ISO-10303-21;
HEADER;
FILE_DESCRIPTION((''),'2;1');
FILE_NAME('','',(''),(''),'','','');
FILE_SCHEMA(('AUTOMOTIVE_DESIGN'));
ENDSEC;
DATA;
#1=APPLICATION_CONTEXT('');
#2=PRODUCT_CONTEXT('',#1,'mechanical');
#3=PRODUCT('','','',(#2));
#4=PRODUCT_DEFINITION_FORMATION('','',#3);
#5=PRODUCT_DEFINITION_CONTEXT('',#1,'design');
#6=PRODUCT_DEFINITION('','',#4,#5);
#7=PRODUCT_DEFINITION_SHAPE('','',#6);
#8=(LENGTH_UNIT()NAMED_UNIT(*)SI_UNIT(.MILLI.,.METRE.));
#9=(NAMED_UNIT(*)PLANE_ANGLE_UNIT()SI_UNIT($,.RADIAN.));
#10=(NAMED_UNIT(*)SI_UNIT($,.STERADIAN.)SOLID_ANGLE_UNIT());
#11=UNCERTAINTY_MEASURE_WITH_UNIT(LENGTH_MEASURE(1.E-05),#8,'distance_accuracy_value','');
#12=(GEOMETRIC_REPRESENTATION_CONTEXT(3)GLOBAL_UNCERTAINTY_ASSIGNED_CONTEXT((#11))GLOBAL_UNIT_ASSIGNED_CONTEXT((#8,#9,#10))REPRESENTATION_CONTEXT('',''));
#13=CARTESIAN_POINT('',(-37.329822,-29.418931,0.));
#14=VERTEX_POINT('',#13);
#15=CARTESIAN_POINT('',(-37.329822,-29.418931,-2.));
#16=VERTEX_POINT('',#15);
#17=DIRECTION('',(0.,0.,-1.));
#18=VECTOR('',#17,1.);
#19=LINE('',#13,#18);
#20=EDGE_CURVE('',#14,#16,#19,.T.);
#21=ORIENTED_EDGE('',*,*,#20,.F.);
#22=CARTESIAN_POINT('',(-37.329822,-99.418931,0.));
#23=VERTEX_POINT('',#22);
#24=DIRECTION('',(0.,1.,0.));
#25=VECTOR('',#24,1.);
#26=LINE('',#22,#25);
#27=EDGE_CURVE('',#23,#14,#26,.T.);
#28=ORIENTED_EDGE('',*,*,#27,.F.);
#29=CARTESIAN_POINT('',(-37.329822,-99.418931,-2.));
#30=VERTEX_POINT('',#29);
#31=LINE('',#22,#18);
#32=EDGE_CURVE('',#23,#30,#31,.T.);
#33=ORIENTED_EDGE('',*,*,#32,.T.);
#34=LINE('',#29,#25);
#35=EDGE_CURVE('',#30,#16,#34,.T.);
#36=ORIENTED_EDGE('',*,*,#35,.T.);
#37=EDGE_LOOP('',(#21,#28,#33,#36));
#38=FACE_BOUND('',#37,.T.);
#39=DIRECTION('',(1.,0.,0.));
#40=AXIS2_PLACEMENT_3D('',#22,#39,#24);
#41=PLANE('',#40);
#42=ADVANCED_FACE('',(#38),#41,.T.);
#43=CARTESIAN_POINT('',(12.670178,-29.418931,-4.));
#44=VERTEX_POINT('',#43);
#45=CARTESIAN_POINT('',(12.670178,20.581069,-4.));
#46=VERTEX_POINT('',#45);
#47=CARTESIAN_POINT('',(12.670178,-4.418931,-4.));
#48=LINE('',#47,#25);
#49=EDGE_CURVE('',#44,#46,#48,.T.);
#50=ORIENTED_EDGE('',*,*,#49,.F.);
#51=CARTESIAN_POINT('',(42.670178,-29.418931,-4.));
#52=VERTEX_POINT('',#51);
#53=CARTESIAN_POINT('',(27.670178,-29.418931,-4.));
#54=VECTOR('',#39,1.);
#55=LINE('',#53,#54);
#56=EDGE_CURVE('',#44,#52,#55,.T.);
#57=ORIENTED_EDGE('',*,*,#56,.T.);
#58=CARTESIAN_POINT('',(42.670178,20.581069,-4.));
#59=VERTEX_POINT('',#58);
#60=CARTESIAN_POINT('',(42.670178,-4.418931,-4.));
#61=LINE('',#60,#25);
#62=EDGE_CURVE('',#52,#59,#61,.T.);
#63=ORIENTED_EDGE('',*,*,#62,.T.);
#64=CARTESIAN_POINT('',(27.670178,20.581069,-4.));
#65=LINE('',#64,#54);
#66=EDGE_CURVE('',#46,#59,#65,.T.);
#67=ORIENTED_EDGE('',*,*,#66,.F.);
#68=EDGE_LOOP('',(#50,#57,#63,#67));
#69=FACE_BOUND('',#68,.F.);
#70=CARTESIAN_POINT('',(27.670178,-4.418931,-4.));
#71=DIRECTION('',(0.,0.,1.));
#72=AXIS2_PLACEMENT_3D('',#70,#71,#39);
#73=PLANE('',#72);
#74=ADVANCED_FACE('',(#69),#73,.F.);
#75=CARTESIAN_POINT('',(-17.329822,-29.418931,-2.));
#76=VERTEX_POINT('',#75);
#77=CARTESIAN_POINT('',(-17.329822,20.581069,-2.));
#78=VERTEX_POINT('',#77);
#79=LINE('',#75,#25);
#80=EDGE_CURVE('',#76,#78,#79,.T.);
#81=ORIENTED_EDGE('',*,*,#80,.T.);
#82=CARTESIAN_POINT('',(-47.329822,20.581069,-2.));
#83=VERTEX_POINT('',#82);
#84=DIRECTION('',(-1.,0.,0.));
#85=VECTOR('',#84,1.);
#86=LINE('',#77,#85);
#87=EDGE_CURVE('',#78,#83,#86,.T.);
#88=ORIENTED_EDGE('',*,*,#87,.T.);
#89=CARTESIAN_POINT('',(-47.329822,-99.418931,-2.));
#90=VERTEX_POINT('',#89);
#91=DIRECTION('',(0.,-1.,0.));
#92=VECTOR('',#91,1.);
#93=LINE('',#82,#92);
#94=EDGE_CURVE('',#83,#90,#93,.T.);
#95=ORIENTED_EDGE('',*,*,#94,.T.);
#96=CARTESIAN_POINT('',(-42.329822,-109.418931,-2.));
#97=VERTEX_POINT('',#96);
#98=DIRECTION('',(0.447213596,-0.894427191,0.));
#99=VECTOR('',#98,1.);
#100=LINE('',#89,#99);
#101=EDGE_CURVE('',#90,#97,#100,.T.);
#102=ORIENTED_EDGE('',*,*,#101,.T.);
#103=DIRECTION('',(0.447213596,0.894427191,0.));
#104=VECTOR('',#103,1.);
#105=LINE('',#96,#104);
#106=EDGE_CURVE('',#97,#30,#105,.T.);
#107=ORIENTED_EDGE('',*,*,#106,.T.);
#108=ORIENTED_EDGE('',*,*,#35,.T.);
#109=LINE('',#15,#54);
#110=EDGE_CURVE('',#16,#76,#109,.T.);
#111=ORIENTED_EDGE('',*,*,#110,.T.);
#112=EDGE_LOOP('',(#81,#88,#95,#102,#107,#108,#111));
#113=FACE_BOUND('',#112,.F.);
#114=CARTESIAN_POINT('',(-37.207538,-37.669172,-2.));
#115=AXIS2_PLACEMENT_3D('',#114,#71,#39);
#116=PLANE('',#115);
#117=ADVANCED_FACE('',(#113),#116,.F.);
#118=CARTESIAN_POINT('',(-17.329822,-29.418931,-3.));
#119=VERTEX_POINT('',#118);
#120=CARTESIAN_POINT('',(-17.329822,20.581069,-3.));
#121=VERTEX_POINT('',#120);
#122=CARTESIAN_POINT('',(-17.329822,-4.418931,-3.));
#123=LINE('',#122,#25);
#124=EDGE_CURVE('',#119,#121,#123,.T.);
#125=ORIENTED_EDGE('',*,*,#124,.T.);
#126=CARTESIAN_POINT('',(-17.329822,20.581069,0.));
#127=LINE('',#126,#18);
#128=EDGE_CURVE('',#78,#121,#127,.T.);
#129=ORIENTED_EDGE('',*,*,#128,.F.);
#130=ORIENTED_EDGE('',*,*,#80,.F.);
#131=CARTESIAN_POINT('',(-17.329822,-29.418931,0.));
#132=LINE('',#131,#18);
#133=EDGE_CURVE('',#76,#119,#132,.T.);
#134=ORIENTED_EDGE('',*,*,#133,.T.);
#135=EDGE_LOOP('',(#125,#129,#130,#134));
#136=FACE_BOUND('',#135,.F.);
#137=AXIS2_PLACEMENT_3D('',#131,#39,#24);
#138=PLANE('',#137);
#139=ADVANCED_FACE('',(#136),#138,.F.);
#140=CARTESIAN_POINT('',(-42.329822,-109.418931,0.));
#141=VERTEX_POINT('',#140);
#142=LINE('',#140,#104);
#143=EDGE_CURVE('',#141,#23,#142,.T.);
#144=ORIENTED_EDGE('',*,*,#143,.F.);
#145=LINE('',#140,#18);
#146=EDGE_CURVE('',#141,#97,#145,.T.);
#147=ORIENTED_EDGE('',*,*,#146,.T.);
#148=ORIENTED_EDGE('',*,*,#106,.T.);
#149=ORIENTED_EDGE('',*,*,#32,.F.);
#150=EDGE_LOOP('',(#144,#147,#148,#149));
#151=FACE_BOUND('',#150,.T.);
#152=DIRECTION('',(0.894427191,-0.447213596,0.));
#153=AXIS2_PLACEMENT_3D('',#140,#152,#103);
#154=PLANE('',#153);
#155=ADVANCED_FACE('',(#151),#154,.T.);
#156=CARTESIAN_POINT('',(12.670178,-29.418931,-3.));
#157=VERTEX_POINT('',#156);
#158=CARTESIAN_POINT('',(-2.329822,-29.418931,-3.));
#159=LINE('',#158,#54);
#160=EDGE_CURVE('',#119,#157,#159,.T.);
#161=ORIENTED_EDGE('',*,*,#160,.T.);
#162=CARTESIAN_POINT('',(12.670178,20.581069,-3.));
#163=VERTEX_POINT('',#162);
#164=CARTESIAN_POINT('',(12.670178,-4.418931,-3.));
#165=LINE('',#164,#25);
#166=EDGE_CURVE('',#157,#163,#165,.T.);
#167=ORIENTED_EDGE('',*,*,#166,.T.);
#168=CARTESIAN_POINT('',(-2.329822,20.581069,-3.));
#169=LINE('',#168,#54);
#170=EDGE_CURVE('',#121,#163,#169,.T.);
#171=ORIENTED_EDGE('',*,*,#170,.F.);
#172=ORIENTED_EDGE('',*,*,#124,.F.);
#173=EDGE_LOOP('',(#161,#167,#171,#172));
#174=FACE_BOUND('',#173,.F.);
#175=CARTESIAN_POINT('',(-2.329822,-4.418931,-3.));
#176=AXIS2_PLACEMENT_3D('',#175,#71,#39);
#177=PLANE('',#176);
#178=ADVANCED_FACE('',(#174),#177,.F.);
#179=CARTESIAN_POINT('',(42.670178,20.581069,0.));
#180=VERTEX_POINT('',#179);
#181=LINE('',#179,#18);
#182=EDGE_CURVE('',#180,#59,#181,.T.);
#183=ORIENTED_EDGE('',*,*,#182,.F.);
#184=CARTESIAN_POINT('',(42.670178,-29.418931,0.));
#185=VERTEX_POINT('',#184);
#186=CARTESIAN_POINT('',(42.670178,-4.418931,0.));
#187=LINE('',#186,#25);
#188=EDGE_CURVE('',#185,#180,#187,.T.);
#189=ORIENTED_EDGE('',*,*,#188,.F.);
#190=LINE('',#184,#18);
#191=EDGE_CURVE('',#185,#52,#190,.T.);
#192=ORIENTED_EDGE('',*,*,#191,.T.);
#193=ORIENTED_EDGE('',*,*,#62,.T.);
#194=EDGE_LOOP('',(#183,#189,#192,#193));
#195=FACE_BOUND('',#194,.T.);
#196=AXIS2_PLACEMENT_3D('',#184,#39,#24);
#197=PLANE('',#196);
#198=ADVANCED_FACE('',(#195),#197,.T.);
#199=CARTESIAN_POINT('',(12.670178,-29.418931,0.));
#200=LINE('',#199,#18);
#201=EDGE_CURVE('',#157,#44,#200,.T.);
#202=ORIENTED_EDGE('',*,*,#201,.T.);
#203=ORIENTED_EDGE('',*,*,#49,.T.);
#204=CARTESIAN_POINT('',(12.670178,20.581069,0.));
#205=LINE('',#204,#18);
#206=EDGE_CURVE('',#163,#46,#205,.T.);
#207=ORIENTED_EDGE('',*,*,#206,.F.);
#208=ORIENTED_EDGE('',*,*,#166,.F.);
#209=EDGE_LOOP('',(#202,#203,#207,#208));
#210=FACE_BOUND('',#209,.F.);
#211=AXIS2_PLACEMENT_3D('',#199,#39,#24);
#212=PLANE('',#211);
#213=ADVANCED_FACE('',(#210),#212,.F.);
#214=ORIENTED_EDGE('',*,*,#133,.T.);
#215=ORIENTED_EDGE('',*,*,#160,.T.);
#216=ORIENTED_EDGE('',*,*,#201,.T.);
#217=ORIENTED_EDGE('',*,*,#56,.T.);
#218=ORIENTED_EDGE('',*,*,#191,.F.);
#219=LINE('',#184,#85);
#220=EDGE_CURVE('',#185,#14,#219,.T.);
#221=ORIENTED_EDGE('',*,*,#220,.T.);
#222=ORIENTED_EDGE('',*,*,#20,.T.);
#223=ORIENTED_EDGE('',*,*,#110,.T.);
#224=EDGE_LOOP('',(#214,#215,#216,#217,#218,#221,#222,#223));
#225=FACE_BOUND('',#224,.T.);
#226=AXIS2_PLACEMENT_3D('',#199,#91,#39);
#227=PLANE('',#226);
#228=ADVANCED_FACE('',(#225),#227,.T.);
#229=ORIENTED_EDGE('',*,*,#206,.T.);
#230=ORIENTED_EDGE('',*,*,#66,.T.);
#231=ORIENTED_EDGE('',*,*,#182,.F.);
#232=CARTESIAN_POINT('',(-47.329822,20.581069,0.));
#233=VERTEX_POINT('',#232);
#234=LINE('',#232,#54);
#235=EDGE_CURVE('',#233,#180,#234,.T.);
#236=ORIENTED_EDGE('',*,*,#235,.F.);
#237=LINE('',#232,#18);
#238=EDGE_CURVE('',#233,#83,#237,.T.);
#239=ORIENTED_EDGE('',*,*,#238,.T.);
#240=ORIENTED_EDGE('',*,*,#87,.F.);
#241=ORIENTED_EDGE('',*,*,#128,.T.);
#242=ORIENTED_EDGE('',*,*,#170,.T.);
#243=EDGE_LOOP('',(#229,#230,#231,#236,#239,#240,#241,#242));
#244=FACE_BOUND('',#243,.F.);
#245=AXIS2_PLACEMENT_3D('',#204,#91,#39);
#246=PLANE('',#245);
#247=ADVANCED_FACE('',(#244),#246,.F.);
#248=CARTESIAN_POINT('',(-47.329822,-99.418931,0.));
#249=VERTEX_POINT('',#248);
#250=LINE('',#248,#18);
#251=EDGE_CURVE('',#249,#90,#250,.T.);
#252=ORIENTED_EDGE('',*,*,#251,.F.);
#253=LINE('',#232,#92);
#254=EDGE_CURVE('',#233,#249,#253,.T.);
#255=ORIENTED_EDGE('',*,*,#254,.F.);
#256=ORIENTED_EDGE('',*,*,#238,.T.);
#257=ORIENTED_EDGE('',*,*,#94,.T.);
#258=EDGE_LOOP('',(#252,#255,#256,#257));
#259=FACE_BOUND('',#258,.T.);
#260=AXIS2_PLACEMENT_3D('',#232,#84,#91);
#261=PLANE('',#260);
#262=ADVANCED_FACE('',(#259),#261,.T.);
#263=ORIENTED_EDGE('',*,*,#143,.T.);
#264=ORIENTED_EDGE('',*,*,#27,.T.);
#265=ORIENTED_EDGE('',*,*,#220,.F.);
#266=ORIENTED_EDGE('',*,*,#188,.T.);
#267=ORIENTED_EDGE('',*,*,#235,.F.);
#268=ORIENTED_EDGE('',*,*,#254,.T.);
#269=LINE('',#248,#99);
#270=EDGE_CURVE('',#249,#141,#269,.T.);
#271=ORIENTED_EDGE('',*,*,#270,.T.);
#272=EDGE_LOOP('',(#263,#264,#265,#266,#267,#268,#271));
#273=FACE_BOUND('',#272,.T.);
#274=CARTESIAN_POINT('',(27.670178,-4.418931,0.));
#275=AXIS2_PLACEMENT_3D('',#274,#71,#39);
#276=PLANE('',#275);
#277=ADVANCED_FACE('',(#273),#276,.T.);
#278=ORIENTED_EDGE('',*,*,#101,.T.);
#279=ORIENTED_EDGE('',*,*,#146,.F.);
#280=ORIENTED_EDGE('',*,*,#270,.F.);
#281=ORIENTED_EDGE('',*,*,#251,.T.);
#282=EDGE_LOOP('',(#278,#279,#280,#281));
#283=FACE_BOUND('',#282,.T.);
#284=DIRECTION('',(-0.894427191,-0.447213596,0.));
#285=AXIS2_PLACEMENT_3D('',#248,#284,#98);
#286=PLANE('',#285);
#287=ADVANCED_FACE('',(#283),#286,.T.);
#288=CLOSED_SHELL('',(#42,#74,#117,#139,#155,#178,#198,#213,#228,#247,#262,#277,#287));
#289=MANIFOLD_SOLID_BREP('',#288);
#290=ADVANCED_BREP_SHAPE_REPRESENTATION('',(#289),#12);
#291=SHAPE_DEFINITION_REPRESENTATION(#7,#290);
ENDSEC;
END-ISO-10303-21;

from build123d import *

# Parameters (mm, degrees)
F1_DEPTH = 2
F0_W     = 30
F0_H     = 50
F2_DEPTH = 3
F3_DEPTH = 4


with BuildPart() as f1:
    # F0 (on Top) → F1 (new body)
    with BuildSketch(Plane.XY):
        Polygon((-17.329822, 20.581069), (-47.329822, 20.581069), (-47.329822, -29.418931), (-47.329822, -99.418931), (-42.329822, -109.418931), (-37.329822, -99.418931), (-37.329822, -29.418931), (-17.329822, -29.418931), align=None)
    extrude(amount=-F1_DEPTH)

    # F0 (on Top) → F2 (join)
    with BuildSketch(Plane.XY):
        with Locations((-2.329822, -4.418931)):
            Rectangle(F0_W, F0_H)
    extrude(amount=-F2_DEPTH)

    # F0 (on Top) → F3 (join)
    with BuildSketch(Plane.XY):
        with Locations((27.670178, -4.418931)):
            Rectangle(F0_W, F0_H)
    extrude(amount=-F3_DEPTH)


solid = f1.part
